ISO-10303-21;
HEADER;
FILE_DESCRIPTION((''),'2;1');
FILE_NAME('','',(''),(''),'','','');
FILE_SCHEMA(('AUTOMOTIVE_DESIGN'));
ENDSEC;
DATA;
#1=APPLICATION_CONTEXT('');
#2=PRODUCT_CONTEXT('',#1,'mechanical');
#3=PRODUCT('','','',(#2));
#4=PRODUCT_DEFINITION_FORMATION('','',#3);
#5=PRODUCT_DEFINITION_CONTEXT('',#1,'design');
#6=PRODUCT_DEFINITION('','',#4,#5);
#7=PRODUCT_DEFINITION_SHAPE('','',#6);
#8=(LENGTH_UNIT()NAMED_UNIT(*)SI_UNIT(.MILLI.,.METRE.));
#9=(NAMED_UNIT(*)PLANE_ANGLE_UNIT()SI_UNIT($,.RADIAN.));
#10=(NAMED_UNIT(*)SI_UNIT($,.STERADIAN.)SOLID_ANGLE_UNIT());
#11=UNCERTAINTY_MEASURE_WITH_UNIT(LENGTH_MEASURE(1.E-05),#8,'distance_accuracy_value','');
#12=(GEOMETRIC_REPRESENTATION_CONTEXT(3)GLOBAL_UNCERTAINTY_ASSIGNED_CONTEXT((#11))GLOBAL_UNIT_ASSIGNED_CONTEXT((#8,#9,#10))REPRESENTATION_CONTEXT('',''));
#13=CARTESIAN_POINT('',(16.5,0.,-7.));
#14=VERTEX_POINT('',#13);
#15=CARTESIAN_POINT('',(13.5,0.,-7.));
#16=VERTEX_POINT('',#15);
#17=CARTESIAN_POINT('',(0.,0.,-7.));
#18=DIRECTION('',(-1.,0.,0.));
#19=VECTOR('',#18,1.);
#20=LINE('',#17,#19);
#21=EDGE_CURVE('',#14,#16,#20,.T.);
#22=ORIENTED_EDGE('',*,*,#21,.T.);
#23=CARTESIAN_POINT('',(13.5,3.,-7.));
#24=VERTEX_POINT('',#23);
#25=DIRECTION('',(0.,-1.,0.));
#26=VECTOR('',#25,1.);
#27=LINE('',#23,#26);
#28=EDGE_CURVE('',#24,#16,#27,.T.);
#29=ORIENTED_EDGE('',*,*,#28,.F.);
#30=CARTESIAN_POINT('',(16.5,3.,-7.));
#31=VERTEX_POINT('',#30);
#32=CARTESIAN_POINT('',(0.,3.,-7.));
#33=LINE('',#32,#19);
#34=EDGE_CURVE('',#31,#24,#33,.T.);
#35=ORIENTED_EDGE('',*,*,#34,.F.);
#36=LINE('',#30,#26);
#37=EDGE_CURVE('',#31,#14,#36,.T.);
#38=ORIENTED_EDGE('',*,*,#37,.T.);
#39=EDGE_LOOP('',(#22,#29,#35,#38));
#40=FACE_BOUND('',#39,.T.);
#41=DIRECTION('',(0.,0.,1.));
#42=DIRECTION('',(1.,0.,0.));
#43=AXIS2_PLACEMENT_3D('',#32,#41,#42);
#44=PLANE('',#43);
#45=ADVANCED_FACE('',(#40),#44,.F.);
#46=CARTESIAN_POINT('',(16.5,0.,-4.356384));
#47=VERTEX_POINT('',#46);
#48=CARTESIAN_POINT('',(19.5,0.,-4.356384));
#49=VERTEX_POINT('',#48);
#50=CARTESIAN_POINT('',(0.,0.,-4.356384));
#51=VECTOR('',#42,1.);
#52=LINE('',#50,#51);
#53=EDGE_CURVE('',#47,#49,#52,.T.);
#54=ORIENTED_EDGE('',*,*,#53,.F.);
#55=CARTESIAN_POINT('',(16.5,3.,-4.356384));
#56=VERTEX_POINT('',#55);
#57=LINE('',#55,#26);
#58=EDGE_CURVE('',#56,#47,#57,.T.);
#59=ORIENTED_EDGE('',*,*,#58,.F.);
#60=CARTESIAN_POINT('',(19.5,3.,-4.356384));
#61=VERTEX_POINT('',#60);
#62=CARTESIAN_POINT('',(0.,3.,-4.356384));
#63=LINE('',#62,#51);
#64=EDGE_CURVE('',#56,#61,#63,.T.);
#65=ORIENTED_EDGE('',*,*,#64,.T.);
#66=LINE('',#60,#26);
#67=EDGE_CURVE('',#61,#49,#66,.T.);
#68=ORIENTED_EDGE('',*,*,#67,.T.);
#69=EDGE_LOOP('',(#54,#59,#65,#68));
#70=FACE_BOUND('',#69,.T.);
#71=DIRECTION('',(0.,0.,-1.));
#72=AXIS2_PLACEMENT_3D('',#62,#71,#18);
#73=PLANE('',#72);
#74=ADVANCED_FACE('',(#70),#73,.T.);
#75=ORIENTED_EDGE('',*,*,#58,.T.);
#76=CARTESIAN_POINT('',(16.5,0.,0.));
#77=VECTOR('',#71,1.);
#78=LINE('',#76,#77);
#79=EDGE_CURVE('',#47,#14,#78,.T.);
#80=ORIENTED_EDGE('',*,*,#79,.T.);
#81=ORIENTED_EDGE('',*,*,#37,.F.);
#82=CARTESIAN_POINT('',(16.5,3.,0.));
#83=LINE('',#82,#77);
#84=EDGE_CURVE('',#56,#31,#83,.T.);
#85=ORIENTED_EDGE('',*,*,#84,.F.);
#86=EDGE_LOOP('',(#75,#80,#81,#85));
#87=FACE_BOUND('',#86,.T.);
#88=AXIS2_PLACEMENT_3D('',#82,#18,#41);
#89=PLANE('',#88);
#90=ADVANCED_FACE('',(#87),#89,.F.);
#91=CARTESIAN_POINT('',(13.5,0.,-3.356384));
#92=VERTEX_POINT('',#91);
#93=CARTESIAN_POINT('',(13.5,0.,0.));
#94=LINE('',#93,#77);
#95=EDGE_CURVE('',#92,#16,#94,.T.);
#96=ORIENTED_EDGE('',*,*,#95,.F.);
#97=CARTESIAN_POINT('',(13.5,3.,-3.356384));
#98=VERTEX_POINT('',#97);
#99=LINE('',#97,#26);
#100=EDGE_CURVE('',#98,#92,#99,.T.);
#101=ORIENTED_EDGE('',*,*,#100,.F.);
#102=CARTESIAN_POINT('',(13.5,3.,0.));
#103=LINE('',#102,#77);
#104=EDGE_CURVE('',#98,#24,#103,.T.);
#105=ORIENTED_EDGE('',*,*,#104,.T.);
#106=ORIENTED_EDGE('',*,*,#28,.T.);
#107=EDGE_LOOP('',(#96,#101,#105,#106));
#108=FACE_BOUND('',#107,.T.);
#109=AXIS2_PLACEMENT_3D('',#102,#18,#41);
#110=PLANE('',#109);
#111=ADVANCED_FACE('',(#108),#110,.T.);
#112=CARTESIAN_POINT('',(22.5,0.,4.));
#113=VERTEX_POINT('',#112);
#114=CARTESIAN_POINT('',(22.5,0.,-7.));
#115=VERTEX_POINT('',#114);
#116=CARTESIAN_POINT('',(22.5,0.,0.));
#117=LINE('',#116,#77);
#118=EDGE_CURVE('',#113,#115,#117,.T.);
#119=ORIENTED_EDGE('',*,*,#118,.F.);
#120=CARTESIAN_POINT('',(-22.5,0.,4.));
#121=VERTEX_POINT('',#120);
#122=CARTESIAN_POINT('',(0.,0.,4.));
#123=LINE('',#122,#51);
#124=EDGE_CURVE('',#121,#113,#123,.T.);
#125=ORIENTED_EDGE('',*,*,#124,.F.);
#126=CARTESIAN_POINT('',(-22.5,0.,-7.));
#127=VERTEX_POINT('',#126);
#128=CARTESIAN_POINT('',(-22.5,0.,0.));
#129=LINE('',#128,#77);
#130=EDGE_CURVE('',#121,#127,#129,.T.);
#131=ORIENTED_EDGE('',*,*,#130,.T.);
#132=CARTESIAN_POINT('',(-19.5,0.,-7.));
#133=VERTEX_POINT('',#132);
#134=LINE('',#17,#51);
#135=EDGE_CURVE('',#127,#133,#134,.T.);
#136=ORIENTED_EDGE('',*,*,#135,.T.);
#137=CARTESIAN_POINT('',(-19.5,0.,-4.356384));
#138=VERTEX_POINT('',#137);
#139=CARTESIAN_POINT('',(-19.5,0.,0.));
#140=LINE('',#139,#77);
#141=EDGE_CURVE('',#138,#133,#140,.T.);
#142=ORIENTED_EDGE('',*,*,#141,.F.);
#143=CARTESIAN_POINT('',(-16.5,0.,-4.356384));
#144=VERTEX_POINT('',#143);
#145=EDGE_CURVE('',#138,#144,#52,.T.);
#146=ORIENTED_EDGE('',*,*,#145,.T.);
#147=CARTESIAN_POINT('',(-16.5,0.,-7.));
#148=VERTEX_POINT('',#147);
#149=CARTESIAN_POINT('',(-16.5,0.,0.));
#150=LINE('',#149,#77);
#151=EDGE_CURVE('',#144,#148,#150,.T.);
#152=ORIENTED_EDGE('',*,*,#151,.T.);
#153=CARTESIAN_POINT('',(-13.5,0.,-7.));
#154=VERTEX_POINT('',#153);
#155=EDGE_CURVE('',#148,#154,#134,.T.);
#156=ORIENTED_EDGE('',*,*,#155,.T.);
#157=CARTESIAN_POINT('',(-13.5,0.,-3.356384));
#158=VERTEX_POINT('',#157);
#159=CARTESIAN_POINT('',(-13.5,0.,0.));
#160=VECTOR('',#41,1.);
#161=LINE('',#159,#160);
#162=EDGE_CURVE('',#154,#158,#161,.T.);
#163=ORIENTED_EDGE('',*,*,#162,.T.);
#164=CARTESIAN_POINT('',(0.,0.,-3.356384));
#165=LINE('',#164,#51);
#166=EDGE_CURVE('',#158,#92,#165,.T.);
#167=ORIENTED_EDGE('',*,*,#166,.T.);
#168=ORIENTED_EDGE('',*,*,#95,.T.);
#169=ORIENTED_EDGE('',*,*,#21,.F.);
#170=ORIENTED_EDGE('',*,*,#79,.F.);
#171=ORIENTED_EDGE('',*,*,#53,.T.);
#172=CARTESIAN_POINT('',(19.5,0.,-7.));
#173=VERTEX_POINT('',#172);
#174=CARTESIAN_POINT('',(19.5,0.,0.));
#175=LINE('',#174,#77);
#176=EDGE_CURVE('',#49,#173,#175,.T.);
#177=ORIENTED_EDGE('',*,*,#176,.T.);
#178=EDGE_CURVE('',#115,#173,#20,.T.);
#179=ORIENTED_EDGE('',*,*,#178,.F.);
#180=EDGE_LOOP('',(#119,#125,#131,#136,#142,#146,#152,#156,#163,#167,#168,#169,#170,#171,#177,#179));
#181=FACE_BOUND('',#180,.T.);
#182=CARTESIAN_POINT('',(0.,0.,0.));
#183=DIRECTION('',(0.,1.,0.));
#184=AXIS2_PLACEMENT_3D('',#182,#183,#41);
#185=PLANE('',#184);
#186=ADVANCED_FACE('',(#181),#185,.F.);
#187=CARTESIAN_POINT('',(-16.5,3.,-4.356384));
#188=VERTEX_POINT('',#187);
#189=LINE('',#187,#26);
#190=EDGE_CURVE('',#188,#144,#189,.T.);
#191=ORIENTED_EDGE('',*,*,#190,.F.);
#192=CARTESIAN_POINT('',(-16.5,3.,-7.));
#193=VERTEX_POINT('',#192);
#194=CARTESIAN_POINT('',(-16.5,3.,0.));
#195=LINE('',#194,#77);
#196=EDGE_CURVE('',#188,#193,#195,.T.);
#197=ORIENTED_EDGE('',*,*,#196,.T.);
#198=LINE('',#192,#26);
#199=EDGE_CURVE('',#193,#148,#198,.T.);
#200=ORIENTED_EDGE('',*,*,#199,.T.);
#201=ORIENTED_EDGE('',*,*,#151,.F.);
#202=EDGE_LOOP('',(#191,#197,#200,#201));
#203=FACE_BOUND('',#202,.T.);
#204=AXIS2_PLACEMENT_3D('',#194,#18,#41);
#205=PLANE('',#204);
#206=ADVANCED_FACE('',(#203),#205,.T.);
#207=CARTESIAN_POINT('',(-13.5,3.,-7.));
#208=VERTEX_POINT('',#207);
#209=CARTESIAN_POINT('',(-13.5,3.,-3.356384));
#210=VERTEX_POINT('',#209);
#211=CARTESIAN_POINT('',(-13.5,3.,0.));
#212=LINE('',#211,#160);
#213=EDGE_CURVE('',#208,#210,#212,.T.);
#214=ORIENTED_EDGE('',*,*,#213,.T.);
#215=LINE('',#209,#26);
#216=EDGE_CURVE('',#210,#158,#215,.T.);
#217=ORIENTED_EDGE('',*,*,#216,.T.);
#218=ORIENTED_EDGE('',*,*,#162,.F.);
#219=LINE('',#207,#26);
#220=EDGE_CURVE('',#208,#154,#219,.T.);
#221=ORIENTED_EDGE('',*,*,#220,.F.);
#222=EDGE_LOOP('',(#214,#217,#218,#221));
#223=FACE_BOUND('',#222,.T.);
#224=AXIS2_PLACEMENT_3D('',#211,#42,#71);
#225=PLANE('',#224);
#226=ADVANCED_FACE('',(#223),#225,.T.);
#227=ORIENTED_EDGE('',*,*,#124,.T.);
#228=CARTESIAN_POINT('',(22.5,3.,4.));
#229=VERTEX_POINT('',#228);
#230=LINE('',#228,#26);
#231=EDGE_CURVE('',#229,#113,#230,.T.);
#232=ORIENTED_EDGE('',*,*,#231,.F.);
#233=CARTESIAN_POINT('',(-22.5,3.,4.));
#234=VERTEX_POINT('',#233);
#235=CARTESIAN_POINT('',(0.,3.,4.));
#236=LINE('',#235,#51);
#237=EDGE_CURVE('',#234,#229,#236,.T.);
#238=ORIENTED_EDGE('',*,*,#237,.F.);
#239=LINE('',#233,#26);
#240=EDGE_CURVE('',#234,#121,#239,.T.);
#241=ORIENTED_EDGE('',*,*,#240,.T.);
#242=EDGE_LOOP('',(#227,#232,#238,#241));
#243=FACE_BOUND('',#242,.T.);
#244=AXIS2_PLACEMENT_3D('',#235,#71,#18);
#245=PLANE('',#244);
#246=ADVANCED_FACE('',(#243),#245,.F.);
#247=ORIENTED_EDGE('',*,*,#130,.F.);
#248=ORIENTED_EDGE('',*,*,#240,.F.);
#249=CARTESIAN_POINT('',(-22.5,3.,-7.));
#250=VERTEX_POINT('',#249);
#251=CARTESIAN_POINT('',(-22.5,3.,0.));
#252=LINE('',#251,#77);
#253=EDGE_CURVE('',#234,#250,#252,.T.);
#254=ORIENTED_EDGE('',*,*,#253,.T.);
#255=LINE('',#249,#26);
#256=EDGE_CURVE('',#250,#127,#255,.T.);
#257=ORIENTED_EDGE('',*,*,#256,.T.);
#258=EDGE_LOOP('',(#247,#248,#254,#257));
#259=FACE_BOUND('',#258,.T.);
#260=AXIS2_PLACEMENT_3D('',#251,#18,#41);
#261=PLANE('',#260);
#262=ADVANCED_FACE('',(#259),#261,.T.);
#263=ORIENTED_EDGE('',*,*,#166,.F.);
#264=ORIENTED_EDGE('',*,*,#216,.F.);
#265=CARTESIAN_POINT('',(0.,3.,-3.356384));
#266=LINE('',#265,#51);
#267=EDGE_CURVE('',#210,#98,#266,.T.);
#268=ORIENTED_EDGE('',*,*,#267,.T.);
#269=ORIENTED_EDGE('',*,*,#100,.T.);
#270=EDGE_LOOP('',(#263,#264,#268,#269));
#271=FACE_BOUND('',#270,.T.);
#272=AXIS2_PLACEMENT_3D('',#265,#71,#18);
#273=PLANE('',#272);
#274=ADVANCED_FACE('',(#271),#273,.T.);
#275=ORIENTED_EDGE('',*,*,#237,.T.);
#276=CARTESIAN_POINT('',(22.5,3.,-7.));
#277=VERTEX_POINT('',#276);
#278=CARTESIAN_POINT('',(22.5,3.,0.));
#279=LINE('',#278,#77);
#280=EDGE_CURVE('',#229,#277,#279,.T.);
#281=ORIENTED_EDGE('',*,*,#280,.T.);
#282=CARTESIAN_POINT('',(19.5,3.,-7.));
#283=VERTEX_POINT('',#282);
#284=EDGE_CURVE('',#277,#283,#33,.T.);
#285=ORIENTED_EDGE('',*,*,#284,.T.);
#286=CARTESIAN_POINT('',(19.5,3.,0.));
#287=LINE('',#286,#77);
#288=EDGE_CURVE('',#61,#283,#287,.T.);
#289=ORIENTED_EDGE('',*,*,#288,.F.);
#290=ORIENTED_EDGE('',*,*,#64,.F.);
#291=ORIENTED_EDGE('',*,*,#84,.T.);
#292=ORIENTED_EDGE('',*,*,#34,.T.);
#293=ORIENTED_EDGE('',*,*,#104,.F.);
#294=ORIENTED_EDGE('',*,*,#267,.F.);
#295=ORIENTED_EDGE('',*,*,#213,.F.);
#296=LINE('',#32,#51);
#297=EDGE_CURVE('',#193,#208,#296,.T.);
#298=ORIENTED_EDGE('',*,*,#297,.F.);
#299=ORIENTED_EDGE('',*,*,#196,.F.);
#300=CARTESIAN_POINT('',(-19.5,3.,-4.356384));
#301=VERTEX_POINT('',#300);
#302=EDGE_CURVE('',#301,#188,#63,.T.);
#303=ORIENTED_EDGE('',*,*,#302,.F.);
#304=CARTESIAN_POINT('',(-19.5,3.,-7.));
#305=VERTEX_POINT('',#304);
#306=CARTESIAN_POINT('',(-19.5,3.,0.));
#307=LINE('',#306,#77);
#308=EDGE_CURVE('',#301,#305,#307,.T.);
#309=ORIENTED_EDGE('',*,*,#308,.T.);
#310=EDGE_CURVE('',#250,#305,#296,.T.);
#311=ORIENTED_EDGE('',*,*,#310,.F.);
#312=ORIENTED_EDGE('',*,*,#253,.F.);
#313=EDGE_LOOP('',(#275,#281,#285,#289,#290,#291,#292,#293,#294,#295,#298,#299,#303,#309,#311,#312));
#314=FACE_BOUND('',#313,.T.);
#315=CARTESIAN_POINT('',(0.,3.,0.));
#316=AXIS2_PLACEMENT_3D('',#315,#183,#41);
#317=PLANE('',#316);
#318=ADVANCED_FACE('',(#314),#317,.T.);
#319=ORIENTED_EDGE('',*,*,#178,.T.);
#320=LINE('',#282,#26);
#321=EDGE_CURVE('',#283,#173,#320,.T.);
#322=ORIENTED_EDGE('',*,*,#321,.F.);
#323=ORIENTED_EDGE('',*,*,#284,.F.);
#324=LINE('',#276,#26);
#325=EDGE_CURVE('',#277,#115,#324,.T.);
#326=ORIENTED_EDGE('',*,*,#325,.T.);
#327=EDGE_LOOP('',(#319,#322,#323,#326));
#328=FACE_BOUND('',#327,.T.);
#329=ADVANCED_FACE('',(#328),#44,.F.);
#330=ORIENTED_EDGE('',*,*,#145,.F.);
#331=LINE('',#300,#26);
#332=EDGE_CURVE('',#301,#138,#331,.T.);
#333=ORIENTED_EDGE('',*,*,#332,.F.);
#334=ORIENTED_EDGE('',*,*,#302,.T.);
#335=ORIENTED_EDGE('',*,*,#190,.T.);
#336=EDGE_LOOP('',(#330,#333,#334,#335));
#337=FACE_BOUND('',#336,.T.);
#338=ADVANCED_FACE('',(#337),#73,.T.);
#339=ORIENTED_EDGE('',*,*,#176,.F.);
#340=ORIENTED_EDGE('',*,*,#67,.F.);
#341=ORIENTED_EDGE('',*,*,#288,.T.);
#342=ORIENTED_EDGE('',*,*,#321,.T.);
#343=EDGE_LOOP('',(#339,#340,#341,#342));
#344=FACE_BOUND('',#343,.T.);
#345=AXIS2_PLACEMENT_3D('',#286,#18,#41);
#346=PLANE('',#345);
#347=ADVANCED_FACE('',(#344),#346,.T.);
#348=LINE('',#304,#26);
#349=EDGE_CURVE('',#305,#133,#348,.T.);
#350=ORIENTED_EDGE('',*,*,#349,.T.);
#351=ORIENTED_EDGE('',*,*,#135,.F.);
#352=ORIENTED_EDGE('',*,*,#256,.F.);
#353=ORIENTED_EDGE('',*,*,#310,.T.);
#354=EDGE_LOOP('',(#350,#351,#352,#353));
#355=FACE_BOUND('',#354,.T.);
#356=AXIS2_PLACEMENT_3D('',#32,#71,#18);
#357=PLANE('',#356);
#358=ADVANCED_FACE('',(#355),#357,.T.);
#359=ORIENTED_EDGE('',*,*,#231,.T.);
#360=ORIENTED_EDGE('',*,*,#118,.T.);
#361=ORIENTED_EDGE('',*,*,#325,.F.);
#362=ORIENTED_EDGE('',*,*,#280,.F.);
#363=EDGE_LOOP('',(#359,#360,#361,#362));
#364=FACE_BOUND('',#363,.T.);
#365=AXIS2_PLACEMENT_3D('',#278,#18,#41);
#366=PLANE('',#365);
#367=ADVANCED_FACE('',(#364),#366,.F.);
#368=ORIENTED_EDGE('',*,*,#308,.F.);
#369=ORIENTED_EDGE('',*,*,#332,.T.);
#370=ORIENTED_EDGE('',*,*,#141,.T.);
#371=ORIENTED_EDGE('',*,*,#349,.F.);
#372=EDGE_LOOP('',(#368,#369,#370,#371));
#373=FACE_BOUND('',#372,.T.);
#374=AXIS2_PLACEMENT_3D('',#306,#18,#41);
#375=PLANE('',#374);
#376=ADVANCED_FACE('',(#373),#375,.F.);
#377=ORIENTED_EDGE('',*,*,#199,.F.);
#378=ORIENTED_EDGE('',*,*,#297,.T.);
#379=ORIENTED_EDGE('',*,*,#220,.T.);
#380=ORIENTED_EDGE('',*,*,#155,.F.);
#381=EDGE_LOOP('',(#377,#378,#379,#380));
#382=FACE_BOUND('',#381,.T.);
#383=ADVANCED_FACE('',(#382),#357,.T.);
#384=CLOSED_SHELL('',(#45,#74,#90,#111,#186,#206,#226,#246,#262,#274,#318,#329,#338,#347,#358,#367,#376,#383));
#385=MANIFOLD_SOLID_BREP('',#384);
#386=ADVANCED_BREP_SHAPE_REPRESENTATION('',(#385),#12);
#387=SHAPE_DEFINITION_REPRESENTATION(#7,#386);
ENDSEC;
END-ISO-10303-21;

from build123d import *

# Parameters (mm, degrees)
BOSS_EXTRUDE1_DEPTH = 3


with BuildPart() as part:
    # Sketch1 → Boss-Extrude1 (new body)
    with BuildSketch(Plane(origin=(0, 0, 0), x_dir=(1, 0, 0), z_dir=(0, 1, 0))):
        Polygon((13.5, 6.356384138), (13.5, 7), (16.5, 7), (16.5, 4.356384138), (19.5, 4.356384138), (19.5, 7), (22.5, 7), (22.5, 4), (22.5, -4), (-22.5, -4), (-22.5, 4), (-22.5, 7), (-19.5, 7), (-19.5, 4.356384138), (-16.5, 4.356384138), (-16.5, 7), (-13.5, 7), (-13.5, 6.356384138), (-13.5, 3.356384138), (13.5, 3.356384138), align=None)
    extrude(amount=BOSS_EXTRUDE1_DEPTH)


solid = part.part
